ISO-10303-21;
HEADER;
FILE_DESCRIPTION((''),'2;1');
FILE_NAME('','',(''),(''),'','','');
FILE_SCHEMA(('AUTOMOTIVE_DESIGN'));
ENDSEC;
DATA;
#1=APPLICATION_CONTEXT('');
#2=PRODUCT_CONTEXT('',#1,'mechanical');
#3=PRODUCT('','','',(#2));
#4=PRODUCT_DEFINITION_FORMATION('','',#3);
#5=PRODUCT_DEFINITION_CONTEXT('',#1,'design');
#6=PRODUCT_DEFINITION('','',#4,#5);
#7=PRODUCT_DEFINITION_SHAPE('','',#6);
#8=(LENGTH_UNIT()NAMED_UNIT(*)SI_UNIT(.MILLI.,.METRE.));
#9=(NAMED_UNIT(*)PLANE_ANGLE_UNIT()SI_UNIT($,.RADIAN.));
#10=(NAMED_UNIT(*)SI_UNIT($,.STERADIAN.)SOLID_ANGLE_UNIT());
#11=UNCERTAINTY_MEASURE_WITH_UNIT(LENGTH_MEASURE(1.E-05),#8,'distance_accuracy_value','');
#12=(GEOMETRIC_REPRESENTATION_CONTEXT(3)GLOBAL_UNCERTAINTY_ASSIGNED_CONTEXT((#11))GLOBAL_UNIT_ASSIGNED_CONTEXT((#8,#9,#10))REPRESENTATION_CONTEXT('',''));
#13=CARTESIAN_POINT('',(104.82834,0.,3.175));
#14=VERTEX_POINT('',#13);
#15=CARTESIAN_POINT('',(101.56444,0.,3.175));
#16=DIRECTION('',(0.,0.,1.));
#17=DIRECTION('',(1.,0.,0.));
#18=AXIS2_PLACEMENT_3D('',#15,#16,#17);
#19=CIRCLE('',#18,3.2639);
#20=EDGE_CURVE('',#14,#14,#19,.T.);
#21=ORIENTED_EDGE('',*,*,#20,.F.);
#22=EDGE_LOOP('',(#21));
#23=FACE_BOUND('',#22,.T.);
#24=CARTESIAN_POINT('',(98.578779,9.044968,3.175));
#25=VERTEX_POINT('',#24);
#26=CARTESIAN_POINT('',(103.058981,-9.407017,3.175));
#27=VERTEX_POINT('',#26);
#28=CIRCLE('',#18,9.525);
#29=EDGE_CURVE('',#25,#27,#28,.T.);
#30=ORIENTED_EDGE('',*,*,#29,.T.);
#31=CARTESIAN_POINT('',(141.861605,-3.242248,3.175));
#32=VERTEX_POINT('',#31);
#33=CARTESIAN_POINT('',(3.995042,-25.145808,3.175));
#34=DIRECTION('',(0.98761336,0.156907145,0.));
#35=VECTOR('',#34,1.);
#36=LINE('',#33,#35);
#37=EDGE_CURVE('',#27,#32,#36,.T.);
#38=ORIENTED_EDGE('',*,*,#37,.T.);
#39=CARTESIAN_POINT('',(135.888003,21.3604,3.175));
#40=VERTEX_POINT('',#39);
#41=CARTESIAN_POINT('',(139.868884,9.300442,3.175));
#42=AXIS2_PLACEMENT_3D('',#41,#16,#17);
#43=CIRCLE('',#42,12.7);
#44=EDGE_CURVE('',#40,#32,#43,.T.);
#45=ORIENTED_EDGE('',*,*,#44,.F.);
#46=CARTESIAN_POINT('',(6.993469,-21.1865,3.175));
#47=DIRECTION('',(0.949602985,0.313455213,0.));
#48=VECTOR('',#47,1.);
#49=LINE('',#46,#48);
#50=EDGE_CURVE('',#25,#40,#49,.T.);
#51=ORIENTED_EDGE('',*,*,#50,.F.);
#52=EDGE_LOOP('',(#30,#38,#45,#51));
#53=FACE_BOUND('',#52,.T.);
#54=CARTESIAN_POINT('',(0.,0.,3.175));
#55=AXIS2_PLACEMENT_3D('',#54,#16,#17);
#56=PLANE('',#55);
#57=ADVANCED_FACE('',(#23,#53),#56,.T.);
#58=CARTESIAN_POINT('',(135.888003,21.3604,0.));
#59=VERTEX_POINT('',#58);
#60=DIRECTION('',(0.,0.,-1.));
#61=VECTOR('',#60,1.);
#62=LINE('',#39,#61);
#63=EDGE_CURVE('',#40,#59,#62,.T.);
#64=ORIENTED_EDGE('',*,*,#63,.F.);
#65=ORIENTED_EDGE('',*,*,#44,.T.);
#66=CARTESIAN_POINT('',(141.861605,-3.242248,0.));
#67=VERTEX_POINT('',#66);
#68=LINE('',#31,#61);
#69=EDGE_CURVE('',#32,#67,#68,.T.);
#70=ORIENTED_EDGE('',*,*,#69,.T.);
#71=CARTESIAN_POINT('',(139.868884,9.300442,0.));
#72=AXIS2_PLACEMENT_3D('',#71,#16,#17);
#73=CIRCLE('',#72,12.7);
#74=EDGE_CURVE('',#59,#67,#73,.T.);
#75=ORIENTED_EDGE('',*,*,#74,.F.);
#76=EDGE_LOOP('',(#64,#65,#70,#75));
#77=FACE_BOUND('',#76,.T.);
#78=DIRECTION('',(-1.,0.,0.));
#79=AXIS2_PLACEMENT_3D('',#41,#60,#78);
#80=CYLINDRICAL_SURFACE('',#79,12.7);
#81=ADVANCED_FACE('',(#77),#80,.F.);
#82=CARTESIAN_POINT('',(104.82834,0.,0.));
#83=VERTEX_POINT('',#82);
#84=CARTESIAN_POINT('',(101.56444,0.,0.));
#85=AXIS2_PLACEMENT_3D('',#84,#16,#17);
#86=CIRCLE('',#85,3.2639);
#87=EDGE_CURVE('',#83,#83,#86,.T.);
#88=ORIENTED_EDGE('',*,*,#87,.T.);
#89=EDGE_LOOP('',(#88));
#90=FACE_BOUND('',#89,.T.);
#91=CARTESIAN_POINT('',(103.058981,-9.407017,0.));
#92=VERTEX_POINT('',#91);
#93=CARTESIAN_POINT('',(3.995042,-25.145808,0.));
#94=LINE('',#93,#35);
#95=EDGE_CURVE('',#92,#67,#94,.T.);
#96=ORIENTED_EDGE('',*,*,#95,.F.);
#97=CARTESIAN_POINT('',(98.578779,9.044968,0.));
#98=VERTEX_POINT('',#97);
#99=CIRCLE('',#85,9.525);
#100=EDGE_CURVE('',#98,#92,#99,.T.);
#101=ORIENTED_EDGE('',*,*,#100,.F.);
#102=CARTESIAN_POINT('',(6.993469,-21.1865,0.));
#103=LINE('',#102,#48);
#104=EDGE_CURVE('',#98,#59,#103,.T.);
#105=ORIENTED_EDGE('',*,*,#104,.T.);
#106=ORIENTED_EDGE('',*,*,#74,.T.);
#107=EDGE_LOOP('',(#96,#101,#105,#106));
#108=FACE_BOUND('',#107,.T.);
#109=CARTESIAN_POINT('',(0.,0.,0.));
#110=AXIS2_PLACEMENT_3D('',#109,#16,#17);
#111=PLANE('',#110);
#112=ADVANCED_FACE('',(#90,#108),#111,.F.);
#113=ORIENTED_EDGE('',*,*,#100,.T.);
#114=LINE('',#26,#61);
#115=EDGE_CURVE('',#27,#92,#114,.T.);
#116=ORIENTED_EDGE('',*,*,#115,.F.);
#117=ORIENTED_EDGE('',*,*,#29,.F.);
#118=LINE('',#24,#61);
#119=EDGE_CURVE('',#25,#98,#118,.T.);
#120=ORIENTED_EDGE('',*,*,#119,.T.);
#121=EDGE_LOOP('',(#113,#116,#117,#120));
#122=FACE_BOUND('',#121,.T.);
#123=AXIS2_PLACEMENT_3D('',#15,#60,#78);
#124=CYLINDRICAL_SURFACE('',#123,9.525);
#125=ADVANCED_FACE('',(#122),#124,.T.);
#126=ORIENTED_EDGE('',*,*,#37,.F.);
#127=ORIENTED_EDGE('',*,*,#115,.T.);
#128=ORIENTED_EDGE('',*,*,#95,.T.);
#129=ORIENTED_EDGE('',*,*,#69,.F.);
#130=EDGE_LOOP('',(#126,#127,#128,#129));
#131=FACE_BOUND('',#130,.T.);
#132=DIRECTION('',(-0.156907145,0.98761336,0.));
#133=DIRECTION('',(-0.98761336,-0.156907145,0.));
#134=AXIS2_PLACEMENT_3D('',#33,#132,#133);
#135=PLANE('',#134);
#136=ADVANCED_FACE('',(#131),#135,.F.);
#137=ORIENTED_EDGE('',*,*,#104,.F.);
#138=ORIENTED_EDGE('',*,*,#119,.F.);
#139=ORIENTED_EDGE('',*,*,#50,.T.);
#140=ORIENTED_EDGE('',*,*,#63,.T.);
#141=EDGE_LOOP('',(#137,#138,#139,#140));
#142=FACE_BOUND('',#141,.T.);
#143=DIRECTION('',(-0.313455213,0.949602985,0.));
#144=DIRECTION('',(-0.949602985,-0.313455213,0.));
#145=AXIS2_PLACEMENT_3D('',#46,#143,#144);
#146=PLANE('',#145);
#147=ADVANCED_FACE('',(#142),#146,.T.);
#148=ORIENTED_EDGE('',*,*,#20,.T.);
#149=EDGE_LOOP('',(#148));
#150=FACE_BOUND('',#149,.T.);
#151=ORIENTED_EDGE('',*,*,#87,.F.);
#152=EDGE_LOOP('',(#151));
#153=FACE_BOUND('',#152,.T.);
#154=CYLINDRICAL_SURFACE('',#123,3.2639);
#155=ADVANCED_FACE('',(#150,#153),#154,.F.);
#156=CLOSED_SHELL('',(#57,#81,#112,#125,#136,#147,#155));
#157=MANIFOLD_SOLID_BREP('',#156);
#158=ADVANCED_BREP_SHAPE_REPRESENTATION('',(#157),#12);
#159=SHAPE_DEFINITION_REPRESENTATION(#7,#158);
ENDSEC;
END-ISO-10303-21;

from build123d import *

# Parameters (mm, degrees)
SKETCH1_R           = 3.2639
BOSS_EXTRUDE1_DEPTH = 3.175


with BuildPart() as part:
    # Sketch1 → Boss-Extrude1 (new body)
    with BuildSketch(Plane.XY):
        with BuildLine():
            ThreePointArc((141.861604691, -3.242247502), (127.5274593, 6.303904573), (135.888002747, 21.360400075))
            Line((135.888002747, 21.360400075), (98.578779095, 9.044968433))
            ThreePointArc((98.578779095, 9.044968433), (92.30837151, -2.247403193), (103.058980553, -9.40701725))
            Line((103.058980553, -9.40701725), (141.861604691, -3.242247502))
        make_face()
        with Locations((101.56444, 0)):
            Circle(SKETCH1_R, mode=Mode.SUBTRACT)
    extrude(amount=BOSS_EXTRUDE1_DEPTH)


solid = part.part
